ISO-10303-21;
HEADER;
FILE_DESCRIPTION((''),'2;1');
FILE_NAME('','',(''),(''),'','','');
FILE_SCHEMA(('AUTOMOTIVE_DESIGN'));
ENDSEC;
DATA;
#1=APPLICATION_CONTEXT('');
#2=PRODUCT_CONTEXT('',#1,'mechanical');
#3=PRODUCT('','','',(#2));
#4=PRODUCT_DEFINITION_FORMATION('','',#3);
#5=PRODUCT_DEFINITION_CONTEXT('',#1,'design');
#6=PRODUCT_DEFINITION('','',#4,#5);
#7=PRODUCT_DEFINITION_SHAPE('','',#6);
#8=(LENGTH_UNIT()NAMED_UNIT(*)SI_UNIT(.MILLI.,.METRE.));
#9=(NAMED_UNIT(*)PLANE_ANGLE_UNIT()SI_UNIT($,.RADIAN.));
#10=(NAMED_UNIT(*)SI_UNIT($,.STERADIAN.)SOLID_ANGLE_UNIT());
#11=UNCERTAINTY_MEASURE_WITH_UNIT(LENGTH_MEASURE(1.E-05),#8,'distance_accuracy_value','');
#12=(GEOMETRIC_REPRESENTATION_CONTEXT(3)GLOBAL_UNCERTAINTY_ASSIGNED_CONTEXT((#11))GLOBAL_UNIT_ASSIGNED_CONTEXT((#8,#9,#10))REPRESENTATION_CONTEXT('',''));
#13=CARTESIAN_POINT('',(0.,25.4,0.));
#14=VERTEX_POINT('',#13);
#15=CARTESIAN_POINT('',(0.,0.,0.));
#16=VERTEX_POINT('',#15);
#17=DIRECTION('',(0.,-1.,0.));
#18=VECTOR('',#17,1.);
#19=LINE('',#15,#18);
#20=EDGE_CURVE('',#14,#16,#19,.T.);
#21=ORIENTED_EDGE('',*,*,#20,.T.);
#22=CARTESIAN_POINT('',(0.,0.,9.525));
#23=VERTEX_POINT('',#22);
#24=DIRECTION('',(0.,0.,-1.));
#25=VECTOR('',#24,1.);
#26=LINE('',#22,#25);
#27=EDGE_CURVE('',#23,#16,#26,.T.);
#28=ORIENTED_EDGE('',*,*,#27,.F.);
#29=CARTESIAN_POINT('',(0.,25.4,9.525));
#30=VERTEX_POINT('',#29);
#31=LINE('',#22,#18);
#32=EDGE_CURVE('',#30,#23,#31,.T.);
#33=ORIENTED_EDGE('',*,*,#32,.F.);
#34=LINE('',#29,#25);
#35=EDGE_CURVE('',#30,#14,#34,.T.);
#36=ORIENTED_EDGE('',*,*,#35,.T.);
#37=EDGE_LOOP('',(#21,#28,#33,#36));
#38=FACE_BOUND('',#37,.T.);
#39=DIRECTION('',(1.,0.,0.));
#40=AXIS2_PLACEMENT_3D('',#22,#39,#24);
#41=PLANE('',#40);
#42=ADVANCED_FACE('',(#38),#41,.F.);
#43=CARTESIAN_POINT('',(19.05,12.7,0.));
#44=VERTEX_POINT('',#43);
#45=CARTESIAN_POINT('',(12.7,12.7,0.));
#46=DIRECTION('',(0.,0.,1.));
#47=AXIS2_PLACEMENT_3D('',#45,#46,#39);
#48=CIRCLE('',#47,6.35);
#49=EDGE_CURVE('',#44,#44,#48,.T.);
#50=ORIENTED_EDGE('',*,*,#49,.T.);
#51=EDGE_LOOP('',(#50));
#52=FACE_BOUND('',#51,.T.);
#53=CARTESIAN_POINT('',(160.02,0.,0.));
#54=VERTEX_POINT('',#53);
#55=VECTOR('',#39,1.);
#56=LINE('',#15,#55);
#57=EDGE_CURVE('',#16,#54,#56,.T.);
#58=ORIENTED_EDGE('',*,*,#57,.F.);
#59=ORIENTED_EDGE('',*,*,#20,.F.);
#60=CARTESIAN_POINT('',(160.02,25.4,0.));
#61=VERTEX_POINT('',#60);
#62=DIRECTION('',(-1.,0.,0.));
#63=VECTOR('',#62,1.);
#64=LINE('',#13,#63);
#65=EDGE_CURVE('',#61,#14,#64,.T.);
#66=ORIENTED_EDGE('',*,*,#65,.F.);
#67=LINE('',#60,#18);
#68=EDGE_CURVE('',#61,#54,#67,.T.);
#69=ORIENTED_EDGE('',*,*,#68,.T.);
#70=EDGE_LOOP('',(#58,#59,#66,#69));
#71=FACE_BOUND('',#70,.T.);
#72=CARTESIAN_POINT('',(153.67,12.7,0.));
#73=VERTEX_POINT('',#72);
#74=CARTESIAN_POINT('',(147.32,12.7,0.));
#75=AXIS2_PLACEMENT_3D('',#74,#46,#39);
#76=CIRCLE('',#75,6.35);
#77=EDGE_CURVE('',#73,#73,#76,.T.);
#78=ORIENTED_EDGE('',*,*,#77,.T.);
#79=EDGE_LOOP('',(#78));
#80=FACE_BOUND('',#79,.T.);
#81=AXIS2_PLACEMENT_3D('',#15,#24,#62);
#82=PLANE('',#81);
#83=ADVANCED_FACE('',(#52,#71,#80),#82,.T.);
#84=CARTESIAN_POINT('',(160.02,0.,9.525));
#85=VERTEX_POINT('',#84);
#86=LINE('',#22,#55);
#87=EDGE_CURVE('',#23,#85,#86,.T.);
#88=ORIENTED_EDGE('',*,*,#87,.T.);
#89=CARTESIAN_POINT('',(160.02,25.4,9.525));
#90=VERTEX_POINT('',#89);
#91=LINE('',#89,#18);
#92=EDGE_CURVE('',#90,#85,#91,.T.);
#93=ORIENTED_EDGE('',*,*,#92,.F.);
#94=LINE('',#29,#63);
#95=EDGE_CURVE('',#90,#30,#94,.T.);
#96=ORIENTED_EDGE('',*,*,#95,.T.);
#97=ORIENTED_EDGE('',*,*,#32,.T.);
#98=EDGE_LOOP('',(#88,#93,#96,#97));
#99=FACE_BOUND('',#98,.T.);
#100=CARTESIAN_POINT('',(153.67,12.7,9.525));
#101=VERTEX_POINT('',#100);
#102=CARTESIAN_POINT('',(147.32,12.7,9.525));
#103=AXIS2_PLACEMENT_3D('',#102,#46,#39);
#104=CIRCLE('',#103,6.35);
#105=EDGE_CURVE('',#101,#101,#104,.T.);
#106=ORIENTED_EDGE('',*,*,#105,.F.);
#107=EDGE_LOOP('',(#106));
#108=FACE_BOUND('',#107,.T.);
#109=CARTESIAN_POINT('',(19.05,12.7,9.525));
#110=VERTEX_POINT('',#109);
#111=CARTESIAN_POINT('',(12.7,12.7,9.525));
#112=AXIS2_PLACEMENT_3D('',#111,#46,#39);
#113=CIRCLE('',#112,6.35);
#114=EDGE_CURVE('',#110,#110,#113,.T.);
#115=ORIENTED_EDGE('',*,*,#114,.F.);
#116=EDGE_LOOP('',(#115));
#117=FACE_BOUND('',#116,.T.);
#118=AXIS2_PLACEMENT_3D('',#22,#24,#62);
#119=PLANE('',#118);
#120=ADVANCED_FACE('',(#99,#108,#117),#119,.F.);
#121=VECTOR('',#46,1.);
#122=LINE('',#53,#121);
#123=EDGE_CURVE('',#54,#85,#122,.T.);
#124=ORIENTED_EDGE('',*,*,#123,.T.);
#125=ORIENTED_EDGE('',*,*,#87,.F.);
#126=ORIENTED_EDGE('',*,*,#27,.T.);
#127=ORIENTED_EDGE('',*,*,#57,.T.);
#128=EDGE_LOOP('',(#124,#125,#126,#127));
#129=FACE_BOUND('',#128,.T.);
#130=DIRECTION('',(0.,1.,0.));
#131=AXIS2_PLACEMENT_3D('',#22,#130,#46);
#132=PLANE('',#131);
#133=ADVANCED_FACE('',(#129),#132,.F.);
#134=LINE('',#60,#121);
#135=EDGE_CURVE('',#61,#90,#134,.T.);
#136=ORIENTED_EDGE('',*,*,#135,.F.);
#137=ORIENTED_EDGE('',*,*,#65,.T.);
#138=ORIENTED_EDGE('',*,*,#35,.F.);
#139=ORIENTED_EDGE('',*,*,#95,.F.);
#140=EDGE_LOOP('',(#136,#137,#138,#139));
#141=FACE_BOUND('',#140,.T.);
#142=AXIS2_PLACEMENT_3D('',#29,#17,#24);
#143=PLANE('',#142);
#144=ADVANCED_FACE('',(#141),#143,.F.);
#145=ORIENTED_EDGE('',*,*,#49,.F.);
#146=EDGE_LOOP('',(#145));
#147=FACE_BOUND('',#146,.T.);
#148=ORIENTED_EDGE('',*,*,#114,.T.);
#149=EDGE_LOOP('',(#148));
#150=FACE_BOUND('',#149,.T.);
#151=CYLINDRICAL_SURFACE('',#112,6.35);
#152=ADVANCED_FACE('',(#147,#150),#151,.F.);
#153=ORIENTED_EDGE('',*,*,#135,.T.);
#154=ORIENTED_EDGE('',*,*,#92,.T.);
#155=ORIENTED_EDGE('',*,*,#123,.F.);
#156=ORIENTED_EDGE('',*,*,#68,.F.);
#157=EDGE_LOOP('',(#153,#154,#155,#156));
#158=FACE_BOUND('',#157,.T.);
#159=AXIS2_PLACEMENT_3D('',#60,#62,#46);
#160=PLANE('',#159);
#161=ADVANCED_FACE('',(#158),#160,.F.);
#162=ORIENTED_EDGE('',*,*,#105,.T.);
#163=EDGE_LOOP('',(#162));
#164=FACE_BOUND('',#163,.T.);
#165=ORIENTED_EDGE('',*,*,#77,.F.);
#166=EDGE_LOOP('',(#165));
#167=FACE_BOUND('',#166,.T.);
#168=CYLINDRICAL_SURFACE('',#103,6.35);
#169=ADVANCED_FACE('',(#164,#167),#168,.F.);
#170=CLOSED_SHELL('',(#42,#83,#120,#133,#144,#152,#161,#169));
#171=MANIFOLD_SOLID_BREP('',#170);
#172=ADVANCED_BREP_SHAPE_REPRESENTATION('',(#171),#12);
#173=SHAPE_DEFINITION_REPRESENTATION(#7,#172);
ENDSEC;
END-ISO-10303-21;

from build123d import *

# Parameters (mm, degrees)
SKETCH1_W                  = 177.8
SKETCH1_H                  = 25.4
BOSS_EXTRUDE1_DEPTH        = 9.525
F_1_2_0_5_DIAMETER_HOLE1_D = 12.7
SKETCH6_W                  = 17.78
SKETCH6_H                  = 25.4
CUT_EXTRUDE2_DEPTH         = 180.857514786


with BuildPart() as part:
    # Sketch1 → Boss-Extrude1 (new body)
    with BuildSketch(Plane.XY):
        with Locations((88.9, 12.7)):
            Rectangle(SKETCH1_W, SKETCH1_H)
    extrude(amount=BOSS_EXTRUDE1_DEPTH)

    # 1/2 (0.5) Diameter Hole1 (through all)
    with Locations(Plane.XY.offset(9.525)):
        with Locations((12.7, 12.7), (147.32, 12.7)):
            Hole(F_1_2_0_5_DIAMETER_HOLE1_D / 2)

    # Sketch6 → Cut-Extrude2 (cut, through all)
    with BuildSketch(Plane.XY.offset(9.525)):
        with Locations((168.91, 12.7)):
            Rectangle(SKETCH6_W, SKETCH6_H)
    extrude(amount=-CUT_EXTRUDE2_DEPTH, mode=Mode.SUBTRACT)


solid = part.part
